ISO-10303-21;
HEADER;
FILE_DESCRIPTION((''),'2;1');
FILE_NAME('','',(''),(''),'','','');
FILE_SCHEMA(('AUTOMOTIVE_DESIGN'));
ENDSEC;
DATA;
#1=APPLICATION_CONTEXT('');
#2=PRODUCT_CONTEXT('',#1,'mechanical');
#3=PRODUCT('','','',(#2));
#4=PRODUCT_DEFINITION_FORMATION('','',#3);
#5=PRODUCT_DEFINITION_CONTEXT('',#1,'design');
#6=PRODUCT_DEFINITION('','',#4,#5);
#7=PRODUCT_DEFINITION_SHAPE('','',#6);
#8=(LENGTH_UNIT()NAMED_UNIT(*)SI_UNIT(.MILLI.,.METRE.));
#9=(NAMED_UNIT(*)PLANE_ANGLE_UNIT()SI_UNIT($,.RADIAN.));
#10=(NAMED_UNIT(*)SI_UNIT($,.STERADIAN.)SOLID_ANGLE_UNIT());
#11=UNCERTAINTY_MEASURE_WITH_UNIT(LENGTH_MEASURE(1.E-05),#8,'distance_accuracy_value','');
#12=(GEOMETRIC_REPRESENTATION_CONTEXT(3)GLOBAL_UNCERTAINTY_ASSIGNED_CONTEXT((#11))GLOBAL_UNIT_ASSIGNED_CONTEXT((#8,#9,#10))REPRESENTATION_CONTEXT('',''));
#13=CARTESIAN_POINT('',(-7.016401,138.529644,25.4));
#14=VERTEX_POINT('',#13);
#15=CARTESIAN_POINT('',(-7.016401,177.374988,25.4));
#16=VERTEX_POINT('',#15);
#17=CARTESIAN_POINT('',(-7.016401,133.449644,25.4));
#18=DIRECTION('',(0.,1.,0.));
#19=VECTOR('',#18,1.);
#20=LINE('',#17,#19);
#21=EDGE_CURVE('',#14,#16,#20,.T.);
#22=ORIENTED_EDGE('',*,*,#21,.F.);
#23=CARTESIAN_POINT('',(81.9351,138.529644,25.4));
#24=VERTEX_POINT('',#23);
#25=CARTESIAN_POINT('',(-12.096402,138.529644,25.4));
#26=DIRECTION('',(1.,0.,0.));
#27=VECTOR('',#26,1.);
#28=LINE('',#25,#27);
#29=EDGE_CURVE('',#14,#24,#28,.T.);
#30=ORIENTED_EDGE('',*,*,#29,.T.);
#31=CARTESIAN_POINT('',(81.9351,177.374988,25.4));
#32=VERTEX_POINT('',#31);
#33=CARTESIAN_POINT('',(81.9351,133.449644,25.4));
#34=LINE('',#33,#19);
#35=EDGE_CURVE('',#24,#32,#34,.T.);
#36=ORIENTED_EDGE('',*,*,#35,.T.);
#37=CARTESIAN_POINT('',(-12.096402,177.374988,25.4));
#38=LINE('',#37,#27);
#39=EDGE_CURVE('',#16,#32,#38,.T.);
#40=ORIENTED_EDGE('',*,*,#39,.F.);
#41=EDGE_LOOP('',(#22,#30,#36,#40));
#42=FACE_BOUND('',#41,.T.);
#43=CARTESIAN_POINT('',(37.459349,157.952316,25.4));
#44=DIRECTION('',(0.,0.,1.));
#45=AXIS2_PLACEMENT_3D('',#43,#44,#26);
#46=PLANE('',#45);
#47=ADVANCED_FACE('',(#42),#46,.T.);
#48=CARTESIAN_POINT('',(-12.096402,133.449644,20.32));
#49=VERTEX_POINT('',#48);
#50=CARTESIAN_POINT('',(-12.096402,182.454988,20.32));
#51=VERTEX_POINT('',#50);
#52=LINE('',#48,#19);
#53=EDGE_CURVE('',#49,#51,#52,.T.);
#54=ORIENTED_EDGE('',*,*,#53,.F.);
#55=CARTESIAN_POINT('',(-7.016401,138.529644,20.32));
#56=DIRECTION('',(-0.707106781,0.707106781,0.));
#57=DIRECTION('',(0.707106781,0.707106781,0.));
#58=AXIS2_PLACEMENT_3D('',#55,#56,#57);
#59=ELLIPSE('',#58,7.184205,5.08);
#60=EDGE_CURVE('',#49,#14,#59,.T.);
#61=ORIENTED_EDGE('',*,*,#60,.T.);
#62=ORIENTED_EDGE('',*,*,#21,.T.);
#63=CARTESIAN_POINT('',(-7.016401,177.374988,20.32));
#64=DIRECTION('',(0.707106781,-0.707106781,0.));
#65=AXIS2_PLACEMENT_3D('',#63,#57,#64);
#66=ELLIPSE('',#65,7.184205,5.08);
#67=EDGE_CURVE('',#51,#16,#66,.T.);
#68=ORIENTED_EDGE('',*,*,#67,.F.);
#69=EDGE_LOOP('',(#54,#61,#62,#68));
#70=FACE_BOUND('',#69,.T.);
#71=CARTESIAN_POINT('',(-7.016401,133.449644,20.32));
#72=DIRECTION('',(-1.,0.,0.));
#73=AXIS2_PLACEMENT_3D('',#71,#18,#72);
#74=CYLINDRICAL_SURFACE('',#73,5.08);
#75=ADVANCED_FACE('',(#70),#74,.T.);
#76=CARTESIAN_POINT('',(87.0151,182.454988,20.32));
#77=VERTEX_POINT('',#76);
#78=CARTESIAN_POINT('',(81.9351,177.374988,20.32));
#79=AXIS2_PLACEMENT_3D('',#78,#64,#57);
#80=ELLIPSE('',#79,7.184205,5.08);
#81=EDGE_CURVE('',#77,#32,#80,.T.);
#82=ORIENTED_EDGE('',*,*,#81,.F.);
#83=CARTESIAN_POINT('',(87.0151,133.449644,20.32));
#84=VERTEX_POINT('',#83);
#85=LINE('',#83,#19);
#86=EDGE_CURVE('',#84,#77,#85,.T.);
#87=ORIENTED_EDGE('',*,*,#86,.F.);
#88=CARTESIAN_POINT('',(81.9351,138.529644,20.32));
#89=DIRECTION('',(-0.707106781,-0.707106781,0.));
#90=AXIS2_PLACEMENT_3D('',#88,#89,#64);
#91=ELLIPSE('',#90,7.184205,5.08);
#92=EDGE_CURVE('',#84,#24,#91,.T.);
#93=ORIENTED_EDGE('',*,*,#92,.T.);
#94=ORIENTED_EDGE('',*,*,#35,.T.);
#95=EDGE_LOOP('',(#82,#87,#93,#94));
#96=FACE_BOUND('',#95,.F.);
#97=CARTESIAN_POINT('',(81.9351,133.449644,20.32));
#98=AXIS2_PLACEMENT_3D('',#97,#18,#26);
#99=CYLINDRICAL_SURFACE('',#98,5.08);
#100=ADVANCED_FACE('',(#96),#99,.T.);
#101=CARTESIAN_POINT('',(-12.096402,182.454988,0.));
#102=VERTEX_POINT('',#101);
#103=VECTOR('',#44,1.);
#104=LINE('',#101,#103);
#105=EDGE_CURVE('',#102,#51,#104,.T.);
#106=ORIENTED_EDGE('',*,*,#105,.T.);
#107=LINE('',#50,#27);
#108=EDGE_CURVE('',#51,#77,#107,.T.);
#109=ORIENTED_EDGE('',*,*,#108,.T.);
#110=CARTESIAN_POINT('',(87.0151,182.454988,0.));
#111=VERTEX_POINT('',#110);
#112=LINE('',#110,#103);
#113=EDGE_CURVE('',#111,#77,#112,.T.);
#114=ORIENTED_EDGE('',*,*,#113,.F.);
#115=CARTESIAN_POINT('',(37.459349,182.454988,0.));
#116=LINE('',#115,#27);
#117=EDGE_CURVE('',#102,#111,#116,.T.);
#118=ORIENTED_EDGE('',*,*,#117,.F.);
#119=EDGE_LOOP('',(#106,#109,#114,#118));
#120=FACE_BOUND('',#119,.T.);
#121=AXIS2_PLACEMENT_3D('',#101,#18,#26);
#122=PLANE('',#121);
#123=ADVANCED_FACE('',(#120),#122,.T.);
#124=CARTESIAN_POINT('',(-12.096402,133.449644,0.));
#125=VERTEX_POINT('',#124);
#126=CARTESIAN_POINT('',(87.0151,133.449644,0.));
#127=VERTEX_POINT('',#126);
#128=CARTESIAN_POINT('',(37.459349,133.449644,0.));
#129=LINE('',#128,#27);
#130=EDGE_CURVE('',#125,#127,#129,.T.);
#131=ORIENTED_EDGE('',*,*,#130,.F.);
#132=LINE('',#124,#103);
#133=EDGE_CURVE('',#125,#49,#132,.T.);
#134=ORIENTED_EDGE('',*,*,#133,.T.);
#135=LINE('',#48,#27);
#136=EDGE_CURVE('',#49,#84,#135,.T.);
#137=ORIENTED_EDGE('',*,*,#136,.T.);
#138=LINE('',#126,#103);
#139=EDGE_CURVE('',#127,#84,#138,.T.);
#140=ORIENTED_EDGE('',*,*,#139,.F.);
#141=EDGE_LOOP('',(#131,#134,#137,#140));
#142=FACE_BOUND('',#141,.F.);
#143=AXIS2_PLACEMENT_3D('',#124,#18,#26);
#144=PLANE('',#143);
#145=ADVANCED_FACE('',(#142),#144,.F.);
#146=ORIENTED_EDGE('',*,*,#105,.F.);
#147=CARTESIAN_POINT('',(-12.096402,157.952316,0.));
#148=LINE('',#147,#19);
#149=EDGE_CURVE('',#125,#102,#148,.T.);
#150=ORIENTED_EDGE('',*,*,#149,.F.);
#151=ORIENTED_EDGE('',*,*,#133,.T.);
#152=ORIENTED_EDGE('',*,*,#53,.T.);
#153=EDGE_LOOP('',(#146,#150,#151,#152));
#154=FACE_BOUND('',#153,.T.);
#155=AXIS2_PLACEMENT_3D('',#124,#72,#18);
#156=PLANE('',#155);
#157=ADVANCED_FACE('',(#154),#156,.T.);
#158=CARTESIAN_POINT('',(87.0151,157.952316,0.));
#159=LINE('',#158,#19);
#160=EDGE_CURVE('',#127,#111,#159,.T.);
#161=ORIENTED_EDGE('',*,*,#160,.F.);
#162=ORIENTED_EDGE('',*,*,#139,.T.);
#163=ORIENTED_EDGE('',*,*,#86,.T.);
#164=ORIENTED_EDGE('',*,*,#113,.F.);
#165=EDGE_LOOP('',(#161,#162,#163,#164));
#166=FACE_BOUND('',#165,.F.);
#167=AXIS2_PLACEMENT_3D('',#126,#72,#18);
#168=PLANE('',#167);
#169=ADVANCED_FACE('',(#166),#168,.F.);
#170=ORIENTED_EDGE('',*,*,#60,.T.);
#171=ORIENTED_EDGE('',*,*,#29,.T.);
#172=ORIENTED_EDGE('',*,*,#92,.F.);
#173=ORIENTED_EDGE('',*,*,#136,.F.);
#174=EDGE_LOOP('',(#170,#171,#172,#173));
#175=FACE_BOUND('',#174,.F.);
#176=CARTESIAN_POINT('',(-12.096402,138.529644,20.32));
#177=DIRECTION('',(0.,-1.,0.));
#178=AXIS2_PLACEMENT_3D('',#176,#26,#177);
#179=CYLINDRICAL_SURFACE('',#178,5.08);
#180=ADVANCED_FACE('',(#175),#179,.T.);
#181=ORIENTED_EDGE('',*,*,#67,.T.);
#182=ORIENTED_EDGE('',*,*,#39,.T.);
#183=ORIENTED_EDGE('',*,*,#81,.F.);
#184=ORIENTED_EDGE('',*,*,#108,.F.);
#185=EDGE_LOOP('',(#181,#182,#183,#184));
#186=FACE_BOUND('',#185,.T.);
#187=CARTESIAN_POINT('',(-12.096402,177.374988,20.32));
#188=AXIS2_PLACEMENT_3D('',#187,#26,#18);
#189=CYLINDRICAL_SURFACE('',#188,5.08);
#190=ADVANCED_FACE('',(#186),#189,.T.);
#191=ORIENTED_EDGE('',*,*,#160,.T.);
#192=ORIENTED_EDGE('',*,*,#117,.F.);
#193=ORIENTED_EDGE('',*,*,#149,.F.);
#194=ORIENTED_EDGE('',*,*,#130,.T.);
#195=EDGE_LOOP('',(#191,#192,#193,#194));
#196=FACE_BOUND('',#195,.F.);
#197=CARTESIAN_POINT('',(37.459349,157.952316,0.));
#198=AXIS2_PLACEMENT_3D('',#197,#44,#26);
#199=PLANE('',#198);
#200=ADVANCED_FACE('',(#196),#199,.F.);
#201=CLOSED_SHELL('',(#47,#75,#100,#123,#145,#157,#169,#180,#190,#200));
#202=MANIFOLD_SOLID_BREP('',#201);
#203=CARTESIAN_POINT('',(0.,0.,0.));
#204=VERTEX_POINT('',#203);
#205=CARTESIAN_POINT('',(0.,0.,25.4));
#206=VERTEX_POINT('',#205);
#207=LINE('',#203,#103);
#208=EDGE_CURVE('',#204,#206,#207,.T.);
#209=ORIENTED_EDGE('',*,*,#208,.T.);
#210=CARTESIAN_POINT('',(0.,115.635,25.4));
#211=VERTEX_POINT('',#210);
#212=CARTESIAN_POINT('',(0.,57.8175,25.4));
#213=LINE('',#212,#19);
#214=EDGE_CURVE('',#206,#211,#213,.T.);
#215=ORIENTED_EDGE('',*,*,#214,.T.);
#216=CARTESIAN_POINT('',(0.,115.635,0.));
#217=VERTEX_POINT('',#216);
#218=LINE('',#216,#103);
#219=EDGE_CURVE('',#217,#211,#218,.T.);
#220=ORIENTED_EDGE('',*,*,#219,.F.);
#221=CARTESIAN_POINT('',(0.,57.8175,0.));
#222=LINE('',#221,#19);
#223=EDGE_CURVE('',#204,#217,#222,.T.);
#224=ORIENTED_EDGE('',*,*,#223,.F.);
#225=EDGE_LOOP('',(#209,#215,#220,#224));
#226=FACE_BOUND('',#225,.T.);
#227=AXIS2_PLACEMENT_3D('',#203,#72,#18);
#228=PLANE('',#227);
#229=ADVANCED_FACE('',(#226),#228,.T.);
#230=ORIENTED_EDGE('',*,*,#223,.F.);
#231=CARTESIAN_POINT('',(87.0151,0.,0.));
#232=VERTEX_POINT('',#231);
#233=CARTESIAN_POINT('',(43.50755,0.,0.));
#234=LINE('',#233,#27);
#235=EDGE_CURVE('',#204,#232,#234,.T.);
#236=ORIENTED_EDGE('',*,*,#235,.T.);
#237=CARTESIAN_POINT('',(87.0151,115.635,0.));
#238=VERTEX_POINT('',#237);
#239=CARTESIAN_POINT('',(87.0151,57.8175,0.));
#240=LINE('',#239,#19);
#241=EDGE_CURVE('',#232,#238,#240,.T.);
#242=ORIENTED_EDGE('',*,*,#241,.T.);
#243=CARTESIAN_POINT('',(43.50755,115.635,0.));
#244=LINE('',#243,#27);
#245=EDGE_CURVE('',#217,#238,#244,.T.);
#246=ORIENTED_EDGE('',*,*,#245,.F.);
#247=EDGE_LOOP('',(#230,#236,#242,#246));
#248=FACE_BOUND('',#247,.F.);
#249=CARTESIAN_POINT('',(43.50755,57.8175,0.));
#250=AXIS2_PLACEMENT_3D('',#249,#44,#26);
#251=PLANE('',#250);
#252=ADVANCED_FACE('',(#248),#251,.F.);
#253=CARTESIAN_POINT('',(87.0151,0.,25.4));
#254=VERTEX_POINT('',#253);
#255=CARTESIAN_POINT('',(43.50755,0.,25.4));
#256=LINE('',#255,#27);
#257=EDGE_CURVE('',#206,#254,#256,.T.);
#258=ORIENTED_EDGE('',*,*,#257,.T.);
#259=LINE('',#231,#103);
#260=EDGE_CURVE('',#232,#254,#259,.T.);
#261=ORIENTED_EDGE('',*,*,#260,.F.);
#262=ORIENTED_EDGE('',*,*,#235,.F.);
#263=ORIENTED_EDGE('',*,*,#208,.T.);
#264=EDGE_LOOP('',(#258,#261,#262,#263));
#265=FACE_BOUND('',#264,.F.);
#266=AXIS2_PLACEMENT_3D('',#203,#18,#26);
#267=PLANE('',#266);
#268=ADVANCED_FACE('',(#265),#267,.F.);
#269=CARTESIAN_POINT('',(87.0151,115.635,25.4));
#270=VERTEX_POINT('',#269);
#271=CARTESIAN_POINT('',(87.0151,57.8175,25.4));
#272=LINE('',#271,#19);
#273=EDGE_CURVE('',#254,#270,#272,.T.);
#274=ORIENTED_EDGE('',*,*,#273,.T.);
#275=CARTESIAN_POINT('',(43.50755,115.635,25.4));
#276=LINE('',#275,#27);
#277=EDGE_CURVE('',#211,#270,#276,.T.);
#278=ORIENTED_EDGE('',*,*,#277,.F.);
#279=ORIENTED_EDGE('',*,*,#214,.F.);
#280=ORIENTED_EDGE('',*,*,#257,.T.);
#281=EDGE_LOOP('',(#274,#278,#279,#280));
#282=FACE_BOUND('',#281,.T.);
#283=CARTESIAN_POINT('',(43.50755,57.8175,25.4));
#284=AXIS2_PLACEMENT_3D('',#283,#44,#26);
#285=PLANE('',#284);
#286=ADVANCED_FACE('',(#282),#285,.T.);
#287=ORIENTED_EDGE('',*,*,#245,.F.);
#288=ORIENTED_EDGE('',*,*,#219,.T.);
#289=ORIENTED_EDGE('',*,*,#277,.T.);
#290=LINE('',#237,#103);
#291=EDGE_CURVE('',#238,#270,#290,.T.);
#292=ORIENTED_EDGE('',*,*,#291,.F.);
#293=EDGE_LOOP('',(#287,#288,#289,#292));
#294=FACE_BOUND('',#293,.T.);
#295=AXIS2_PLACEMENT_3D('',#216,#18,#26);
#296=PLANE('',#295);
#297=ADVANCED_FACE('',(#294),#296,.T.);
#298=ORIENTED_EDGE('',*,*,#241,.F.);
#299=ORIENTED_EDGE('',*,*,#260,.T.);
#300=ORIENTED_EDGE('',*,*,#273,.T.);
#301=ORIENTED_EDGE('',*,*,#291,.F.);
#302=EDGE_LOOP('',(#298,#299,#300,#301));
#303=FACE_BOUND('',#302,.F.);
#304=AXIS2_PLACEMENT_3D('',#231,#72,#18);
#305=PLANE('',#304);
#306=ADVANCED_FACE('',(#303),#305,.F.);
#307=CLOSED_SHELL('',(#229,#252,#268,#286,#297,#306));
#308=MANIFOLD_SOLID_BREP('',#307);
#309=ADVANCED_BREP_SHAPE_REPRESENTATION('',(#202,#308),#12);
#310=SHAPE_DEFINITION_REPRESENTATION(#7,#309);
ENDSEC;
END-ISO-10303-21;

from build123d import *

# Parameters (mm, degrees)
F0_W     = 87.0151
F0_H     = 115.635
F0_W_2   = 99.111501
F0_H_2   = 49.005344
F1_DEPTH = 25.4
F2_R     = 5.08


with BuildPart() as f1:
    # F0 (on Top) → F1 (new body)
    with BuildSketch(Plane.XY):
        with Locations((43.50755, 57.8175)):
            Rectangle(F0_W, F0_H)
        with Locations((37.459349, 157.952316)):
            Rectangle(F0_W_2, F0_H_2)
    extrude(amount=F1_DEPTH)

    # F2
    f2_edges = [f1.edges().sort_by_distance(p)[0] for p in [
        (37.459349, 182.454988, 25.4),
        (-12.096401, 157.952316, 25.4),
        (37.459349, 133.449644, 25.4),
        (87.0151, 157.952316, 25.4),
    ]]
    fillet(f2_edges, radius=F2_R)


solid = f1.part
